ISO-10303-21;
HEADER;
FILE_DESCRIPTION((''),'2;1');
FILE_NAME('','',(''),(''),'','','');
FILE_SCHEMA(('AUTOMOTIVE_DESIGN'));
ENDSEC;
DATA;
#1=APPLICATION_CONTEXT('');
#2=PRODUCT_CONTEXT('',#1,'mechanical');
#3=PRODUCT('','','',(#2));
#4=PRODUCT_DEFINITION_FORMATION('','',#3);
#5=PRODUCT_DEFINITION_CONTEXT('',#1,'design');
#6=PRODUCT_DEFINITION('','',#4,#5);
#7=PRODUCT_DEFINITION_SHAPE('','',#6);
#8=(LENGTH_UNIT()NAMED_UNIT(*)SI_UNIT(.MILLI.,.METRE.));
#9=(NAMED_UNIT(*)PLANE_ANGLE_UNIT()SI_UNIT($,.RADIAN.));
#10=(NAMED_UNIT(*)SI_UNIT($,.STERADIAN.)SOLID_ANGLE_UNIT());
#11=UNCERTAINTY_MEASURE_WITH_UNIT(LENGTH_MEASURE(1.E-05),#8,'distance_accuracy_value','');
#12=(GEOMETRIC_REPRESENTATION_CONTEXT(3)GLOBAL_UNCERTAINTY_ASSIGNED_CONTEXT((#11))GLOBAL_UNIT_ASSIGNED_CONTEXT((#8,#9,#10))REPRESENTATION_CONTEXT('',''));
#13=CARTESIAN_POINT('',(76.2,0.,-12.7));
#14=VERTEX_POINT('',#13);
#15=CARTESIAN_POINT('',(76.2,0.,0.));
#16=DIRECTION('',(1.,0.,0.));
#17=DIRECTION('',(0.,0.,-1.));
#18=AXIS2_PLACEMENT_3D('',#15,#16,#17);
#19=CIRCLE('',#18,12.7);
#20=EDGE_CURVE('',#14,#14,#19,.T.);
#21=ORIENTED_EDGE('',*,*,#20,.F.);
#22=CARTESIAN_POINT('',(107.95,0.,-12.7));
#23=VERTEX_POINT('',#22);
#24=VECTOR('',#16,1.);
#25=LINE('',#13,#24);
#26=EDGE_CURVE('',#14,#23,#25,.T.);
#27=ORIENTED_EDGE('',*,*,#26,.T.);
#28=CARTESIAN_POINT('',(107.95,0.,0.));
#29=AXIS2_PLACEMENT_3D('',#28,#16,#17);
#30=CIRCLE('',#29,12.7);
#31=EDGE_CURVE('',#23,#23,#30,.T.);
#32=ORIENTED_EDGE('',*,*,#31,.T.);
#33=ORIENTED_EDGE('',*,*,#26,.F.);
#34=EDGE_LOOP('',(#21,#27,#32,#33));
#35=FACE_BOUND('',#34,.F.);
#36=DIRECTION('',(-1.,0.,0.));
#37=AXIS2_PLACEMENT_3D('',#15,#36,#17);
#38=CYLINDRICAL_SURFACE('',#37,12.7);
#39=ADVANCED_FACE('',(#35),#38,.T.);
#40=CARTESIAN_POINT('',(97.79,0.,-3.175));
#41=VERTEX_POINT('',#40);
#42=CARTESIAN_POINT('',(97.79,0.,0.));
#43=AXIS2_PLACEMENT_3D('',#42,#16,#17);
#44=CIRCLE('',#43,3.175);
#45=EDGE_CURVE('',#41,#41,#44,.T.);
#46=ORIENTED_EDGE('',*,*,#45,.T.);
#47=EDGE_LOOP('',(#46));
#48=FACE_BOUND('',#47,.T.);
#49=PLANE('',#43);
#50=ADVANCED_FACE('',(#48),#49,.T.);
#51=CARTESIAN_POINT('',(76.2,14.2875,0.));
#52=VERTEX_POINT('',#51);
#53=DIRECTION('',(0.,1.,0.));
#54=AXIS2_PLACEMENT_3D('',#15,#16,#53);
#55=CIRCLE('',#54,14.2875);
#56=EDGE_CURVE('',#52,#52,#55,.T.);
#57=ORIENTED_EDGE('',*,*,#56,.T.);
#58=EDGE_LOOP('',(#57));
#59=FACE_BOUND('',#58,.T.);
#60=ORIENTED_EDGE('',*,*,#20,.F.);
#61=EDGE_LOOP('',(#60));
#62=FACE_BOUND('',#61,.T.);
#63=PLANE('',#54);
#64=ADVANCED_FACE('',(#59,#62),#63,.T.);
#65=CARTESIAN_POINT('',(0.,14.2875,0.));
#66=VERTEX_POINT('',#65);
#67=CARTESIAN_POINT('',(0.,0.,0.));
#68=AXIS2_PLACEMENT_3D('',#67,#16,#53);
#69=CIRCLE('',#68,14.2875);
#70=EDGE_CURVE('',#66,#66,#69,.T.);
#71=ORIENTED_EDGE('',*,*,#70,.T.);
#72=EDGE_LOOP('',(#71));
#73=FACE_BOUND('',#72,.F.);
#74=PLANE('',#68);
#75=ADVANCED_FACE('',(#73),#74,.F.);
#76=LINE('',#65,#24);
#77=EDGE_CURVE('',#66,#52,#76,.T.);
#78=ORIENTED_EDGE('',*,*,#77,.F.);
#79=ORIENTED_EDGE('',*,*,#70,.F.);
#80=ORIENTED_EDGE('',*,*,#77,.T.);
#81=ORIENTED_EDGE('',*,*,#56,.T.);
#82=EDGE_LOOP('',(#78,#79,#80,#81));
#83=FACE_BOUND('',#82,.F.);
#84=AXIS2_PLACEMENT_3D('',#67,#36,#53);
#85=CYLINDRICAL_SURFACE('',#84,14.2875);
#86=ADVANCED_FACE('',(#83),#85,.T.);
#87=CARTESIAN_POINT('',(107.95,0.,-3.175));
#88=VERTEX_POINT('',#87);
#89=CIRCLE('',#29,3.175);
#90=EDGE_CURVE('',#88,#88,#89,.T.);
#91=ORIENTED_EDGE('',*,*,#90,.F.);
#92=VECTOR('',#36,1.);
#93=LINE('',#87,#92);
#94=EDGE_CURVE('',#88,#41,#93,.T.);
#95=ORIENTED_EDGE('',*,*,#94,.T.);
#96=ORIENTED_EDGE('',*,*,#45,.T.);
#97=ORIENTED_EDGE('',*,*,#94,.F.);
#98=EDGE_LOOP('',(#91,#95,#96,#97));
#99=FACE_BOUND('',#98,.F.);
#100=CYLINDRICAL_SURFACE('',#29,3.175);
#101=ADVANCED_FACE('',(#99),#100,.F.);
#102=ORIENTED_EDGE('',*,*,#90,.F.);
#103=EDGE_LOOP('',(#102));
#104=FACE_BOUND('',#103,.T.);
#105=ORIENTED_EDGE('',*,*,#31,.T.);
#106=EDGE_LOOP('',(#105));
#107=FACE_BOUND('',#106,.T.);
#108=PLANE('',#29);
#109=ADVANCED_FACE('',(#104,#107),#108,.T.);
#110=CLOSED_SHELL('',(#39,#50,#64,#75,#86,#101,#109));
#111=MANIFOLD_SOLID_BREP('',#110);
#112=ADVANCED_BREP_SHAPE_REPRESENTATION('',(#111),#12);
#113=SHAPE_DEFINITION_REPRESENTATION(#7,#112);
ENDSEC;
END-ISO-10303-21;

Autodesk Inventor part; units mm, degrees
ref_plane "YZ Plane" through (0, 0, 0) normal (1, 0, 0) x (0, 1, 0)
ref_plane "XZ Plane" through (0, 0, 0) normal (0, 1, 0) x (-1, 0, 0)
ref_plane "XY Plane" through (0, 0, 0) normal (0, 0, 1) x (1, 0, 0)
sketch "Sketch1" plane through (0, 0, 0) normal (1, 0, 0) x (0, 1, 0)
  circle A0 centre (0, 0) radius 14.2875
  dimension "d0" = 28.575
extrude "Extrusion1" add sketch "Sketch1" along normal blind 76.2
sketch "Sketch2" plane through (76.2, 0, 0) normal (1, 0, 0) x (0, 0, -1)
  circle A0 centre (0, 0) radius 12.7
  dimension "d3" = 25.4
extrude "Extrusion2" add sketch "Sketch2" along normal blind 31.75
sketch "Sketch3" plane through (107.95, 0, 0) normal (1, 0, 0) x (0, 0, -1)
  circle A0 centre (0, 0) radius 3.175
  dimension "d6" = 6.35
extrude "Extrusion3" cut sketch "Sketch3" against normal blind 10.16
properties part number "Gripper_Motor"
